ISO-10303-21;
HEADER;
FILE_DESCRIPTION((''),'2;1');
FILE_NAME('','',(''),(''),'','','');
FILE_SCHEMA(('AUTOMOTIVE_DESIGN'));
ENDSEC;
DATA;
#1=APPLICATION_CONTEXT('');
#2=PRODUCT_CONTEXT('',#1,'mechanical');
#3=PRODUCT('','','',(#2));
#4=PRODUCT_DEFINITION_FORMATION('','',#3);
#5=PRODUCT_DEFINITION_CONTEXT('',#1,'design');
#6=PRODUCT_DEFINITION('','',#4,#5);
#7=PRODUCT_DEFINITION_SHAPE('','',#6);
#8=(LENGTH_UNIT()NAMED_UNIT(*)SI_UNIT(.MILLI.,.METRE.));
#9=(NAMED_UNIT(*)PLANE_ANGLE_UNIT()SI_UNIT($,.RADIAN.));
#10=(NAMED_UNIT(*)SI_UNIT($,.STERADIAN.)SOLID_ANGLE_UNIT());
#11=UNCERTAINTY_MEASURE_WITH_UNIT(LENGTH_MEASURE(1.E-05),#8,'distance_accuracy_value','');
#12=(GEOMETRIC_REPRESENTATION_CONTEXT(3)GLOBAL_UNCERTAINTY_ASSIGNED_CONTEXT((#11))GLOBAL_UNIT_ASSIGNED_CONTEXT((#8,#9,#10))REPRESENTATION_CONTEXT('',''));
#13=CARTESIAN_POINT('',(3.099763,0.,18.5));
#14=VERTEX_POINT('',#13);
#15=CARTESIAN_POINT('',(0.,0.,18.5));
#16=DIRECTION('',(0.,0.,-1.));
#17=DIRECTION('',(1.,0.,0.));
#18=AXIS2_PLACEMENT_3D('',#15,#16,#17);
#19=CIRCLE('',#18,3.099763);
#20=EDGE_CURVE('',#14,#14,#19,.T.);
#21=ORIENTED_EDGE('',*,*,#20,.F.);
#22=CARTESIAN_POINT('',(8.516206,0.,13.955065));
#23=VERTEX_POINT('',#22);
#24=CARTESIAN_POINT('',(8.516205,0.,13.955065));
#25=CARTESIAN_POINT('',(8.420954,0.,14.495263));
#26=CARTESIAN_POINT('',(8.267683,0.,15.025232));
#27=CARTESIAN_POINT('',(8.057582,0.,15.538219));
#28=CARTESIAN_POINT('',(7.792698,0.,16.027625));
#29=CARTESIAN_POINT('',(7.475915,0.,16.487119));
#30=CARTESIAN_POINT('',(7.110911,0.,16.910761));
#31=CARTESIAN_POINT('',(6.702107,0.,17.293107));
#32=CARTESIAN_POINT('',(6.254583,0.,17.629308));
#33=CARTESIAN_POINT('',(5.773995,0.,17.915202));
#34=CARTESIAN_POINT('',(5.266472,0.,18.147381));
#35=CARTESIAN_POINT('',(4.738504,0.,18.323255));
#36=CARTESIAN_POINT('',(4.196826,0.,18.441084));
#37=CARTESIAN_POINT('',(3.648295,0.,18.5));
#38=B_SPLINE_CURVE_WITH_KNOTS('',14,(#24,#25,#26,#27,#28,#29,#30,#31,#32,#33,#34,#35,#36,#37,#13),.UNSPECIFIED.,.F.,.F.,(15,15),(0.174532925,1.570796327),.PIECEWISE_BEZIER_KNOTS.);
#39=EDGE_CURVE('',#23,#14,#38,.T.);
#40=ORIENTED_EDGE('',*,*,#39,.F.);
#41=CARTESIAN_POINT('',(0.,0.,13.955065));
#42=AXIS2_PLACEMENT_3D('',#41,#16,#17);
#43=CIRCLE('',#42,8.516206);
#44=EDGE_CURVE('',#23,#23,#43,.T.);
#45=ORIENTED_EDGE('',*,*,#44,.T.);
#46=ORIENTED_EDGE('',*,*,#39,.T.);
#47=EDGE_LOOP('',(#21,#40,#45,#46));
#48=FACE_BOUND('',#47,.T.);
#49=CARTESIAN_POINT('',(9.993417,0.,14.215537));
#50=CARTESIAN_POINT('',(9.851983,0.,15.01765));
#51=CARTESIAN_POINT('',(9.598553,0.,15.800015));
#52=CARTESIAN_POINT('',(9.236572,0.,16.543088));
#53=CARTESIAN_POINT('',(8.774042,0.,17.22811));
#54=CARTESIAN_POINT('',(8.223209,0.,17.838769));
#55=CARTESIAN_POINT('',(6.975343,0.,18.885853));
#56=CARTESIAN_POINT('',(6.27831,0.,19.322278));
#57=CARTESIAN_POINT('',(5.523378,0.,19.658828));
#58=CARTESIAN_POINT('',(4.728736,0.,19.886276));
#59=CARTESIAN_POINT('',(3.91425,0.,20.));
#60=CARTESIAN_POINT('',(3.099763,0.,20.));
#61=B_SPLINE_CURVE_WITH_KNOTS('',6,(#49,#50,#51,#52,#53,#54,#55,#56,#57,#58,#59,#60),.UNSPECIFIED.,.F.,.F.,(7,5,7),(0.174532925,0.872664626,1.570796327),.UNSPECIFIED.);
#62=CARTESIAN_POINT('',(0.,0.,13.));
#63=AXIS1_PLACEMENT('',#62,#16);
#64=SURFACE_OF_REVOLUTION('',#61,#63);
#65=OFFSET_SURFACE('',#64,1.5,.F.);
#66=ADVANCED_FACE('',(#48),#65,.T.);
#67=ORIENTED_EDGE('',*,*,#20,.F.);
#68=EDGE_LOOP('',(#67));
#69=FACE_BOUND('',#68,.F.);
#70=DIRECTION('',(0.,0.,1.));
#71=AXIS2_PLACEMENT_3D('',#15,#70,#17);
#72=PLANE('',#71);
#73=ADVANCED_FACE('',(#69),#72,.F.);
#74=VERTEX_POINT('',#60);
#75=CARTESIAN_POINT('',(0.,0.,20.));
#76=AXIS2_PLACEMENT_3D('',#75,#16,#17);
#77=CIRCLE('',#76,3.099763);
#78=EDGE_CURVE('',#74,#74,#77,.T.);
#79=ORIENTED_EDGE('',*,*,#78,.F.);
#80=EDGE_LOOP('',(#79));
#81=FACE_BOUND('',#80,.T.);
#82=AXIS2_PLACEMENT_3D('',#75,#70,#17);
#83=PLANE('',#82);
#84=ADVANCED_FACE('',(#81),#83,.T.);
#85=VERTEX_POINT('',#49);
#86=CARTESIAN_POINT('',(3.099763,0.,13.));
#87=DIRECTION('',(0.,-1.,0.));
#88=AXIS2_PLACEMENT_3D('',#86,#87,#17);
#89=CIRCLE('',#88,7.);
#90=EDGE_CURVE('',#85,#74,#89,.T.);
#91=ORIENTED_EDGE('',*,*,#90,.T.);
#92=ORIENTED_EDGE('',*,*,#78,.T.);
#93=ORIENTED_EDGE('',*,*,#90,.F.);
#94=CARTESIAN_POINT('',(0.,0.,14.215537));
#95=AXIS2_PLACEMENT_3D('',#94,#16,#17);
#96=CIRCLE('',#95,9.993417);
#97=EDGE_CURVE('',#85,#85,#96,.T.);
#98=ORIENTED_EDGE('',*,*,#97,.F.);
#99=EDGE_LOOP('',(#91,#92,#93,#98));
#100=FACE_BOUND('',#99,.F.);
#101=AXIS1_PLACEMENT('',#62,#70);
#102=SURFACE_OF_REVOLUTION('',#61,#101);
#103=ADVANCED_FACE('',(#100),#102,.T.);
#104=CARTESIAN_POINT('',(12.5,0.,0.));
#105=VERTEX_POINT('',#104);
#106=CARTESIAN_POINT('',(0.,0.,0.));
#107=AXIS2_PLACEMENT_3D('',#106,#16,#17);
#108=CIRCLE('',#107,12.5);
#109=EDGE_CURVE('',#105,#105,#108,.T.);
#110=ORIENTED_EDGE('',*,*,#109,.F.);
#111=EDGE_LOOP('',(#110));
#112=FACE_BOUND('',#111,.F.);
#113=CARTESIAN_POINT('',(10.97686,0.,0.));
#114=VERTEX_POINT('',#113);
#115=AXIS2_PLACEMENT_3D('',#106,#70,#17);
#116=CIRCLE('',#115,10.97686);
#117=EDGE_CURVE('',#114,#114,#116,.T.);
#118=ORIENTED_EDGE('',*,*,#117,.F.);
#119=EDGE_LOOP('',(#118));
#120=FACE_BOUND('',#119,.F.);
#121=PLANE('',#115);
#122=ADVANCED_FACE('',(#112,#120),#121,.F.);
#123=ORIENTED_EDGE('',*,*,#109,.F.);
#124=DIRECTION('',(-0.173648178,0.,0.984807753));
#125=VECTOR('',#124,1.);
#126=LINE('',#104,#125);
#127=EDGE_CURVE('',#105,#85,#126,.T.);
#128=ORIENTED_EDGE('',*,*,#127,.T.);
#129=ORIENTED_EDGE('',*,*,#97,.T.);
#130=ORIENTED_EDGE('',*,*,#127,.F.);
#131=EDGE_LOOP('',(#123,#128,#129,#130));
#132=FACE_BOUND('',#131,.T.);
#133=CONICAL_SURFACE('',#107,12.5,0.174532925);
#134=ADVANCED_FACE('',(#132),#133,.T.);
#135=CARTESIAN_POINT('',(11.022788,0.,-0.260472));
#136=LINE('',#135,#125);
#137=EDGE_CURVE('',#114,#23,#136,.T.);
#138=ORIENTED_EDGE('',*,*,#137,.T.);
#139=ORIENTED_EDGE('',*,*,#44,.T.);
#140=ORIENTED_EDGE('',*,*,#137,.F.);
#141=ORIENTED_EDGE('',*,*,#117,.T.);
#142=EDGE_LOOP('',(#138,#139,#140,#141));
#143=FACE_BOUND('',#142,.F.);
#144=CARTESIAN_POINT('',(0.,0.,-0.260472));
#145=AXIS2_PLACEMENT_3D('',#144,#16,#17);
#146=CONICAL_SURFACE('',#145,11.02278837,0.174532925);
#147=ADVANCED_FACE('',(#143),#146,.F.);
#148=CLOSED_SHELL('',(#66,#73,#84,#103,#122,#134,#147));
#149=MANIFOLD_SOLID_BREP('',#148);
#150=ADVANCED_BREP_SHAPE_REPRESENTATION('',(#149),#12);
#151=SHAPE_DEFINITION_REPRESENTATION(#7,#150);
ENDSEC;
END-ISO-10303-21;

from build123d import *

# Parameters (mm, degrees)
F0_R     = 12.5
F1_DEPTH = 20
F1_TAPER = 10
F2_R     = 7
F3_T     = -1.5


with BuildPart() as f1:
    # F0 (on Top) → F1 (new body)
    with BuildSketch(Plane.XY):
        Circle(F0_R)
    extrude(amount=F1_DEPTH, taper=F1_TAPER)

    # F2
    f2_edges = [f1.edges().sort_by_distance(p)[0] for p in [
        (-8.97346, 0, 20),
    ]]
    fillet(f2_edges, radius=F2_R)

    # F3
    f3_openings = [f1.faces().sort_by_distance(p)[0] for p in [
        (0, 0, 0),
    ]]
    offset(amount=F3_T, openings=f3_openings)


solid = f1.part
